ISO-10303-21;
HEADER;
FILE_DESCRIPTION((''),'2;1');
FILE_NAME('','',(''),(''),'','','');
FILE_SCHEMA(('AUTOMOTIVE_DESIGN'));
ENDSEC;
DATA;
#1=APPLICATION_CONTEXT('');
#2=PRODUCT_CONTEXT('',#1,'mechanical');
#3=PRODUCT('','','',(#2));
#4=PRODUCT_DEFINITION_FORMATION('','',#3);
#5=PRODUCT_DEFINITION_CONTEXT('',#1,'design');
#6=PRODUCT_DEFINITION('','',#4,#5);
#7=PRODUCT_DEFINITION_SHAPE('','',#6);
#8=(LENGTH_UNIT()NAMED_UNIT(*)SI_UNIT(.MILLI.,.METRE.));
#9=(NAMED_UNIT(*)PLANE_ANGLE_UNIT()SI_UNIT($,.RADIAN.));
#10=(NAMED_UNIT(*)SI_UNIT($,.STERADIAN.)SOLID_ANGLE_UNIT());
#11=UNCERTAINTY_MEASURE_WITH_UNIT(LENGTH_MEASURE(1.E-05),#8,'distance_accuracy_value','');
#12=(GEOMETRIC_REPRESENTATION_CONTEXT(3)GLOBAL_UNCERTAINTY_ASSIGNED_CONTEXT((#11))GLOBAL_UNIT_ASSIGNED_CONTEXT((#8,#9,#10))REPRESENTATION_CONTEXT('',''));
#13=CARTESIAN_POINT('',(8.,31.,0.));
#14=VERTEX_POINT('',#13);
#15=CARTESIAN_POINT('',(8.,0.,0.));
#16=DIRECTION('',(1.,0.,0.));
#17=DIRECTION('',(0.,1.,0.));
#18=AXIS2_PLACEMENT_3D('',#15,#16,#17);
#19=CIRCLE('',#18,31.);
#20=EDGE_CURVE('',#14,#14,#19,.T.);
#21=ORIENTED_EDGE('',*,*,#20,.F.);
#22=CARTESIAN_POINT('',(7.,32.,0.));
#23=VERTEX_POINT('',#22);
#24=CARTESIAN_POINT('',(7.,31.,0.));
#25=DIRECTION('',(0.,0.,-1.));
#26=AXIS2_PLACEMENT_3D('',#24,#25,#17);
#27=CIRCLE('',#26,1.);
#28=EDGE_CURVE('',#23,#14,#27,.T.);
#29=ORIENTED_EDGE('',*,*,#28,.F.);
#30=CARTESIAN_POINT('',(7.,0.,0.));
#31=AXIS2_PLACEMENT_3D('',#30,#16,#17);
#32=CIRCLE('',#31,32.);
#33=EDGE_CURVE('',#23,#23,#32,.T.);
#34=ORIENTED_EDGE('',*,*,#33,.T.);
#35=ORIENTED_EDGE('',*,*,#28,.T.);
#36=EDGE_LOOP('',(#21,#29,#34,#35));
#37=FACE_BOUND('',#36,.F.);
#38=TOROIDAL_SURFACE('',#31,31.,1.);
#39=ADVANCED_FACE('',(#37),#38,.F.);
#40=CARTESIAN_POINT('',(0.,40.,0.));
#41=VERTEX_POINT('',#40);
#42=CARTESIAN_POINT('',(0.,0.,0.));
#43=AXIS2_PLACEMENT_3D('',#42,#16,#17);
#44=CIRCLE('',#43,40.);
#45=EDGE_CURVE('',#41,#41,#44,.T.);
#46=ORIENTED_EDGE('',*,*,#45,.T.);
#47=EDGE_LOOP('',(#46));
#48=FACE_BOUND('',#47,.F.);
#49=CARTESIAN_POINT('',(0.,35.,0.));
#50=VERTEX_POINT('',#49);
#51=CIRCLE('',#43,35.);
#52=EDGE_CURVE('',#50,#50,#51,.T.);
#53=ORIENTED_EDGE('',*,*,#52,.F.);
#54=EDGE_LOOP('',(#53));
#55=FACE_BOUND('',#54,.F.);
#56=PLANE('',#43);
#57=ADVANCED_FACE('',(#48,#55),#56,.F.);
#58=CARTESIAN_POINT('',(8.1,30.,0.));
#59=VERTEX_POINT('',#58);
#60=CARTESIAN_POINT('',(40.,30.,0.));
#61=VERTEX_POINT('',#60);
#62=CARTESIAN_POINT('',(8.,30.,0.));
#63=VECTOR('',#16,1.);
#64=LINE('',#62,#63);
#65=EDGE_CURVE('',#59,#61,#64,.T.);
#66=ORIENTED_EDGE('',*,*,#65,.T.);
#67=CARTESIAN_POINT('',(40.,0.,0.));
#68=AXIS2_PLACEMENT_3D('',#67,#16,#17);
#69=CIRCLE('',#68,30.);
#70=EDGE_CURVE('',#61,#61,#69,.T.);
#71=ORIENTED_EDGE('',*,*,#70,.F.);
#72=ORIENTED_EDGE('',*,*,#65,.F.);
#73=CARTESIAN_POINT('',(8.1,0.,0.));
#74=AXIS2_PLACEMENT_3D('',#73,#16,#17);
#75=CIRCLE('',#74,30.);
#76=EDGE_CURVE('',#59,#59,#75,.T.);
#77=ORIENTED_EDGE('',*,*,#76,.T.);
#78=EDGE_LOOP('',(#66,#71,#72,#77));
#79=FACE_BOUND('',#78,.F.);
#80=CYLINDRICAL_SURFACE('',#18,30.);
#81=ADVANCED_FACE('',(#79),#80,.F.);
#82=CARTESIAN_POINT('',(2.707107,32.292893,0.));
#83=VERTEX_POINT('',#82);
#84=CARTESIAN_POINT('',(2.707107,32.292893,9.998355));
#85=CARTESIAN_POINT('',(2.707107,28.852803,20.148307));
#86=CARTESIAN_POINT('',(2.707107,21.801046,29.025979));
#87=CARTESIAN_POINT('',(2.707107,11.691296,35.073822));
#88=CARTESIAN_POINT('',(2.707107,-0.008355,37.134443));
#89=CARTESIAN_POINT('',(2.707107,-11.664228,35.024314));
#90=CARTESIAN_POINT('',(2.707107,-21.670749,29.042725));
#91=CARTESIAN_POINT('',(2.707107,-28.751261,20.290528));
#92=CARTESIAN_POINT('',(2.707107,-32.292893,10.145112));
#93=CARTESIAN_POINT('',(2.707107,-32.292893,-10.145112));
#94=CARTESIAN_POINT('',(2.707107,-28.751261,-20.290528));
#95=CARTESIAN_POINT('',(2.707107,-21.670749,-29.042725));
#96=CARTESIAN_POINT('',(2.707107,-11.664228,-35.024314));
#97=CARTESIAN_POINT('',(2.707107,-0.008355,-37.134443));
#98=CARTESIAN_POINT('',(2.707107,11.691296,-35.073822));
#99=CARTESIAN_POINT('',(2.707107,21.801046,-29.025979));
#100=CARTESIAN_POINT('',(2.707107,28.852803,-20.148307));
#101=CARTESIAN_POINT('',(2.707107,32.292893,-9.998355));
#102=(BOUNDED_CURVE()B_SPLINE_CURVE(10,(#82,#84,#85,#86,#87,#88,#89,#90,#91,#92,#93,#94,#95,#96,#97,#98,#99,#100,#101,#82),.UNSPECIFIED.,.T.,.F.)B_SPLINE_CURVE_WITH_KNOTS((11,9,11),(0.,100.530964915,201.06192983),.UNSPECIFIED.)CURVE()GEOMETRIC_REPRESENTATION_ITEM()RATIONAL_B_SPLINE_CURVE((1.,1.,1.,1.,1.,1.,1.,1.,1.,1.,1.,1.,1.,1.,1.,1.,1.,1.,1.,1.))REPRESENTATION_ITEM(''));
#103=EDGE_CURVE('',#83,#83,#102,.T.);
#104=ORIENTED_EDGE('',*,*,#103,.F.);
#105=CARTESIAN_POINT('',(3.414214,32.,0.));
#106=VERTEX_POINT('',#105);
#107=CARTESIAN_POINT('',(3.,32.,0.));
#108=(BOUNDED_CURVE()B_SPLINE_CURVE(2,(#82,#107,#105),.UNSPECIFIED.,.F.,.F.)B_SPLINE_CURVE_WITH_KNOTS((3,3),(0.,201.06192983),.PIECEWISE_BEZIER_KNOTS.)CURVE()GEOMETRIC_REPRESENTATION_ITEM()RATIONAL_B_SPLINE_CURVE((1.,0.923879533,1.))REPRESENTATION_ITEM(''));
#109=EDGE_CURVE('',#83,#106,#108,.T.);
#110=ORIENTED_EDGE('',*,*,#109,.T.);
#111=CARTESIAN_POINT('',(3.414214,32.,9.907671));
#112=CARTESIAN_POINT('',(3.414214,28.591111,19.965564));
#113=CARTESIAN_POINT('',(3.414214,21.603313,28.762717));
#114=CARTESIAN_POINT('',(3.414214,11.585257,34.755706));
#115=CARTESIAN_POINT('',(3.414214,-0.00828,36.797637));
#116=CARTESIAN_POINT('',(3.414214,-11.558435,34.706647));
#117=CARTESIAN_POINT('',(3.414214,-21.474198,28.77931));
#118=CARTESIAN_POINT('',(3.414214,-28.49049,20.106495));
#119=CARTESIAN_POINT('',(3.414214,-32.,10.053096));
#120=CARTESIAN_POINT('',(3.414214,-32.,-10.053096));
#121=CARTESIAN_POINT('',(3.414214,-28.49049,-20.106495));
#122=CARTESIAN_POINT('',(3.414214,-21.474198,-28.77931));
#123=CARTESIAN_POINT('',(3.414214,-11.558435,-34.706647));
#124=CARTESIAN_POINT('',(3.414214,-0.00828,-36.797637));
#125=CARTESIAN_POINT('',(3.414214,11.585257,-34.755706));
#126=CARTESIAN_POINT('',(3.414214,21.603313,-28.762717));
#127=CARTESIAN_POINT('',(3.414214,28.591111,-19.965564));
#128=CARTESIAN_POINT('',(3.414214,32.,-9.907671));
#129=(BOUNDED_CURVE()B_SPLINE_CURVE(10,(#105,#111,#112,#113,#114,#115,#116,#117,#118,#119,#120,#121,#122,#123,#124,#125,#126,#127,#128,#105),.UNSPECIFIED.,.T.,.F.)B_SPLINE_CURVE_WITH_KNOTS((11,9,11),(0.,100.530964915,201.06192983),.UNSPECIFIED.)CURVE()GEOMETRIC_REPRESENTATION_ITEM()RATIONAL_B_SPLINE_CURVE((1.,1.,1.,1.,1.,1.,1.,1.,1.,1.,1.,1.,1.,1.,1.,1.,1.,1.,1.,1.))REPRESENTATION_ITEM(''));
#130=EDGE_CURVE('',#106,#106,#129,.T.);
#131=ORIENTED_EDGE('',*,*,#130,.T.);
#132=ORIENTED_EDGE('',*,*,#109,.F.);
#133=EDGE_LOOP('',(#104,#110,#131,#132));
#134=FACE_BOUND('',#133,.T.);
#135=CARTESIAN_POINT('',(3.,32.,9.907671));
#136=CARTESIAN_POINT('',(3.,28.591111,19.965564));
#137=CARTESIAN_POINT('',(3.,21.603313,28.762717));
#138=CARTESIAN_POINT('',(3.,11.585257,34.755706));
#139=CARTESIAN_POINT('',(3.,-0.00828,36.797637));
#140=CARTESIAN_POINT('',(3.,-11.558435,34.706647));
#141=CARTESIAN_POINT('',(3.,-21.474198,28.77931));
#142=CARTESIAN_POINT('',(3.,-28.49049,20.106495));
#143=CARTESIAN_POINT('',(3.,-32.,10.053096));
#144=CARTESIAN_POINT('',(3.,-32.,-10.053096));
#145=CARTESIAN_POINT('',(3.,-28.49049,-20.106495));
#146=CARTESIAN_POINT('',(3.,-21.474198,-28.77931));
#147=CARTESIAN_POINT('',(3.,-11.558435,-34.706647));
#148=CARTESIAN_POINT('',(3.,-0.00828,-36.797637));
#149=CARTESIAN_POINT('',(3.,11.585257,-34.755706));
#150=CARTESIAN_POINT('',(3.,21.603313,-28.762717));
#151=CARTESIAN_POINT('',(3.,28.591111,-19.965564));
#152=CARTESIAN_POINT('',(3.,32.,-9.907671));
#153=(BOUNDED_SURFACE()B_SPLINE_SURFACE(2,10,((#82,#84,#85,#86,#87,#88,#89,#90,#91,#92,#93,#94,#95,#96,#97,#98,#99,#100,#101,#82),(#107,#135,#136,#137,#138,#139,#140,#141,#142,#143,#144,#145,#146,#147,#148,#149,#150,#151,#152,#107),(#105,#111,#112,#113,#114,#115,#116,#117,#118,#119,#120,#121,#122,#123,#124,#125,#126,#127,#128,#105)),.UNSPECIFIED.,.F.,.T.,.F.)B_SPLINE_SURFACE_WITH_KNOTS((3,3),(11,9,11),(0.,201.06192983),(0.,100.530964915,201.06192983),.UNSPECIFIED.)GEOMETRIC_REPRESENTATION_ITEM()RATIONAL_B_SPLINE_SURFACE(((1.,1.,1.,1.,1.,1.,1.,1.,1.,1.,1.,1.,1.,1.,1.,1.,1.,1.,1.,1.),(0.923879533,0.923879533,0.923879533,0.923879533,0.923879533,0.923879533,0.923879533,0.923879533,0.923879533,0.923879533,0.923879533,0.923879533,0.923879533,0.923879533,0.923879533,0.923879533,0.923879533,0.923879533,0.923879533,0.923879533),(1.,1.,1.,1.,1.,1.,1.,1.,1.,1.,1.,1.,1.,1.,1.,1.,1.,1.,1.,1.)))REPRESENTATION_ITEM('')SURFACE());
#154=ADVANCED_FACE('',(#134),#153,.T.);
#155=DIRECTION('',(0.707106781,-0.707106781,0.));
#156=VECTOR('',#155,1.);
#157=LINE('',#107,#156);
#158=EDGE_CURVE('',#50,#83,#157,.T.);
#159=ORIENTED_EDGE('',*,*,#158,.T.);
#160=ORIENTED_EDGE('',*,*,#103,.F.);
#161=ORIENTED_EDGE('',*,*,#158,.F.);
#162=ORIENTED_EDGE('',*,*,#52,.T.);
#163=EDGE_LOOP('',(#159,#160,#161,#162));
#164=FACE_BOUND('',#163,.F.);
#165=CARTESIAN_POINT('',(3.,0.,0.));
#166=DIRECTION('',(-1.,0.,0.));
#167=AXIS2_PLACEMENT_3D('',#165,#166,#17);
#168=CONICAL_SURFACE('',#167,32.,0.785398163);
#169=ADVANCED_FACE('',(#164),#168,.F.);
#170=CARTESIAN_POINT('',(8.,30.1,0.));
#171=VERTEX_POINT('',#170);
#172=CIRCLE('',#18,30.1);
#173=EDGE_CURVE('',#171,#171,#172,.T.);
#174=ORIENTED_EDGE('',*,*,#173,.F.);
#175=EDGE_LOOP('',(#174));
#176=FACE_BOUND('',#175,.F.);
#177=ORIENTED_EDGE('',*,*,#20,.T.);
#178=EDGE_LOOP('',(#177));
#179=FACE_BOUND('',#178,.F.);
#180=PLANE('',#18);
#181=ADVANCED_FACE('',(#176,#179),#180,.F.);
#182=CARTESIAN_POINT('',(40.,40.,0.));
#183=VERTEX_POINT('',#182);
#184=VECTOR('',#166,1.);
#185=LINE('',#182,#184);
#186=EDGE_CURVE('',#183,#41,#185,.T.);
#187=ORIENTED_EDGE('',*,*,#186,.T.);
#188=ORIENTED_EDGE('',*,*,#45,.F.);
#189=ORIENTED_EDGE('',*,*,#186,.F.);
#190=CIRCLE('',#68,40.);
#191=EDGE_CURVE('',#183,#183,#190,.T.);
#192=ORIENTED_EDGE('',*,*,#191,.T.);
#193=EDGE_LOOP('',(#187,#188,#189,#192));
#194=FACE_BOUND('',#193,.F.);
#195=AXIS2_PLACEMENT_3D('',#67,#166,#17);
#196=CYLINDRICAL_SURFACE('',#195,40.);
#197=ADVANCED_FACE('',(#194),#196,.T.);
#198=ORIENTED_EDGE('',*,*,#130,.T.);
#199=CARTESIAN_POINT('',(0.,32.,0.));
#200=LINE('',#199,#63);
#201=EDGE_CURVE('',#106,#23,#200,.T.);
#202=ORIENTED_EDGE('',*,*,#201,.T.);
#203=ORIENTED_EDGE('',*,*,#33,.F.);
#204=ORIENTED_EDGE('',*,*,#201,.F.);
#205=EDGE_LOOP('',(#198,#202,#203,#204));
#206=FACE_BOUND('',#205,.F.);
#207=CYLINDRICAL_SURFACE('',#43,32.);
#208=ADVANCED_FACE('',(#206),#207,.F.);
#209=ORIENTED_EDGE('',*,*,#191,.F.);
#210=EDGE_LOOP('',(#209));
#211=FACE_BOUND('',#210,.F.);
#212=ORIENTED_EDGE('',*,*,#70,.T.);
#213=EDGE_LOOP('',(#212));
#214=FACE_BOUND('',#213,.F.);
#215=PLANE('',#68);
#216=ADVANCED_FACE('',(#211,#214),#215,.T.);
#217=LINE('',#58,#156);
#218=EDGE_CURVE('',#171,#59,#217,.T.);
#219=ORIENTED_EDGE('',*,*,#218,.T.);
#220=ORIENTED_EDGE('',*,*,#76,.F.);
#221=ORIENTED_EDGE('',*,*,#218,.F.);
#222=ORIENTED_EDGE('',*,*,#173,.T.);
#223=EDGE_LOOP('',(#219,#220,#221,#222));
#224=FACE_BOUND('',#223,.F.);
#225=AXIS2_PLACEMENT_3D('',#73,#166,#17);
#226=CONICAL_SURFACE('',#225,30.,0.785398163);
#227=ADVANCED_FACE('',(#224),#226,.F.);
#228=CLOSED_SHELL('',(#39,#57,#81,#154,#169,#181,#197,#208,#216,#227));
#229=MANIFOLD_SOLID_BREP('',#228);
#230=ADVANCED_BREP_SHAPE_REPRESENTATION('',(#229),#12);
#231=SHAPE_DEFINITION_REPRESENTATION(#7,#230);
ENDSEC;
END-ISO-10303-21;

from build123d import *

# Parameters (mm, degrees)
F2_SIZE = 3
F3_R    = 1
F4_SIZE = 0.1


with BuildPart() as f1:
    # F0 (on Top) → F1 (revolve)
    with BuildSketch(Plane.XY):
        Polygon((40, 40), (0, 40), (0, 32), (8, 32), (8, 30), (40, 30), align=None)
    revolve(axis=Axis((-2.474785153, 0, 0), (1, 0, 0)))

    # F2
    f2_edges = [f1.edges().sort_by_distance(p)[0] for p in [
        (0, -32, 0),
    ]]
    chamfer(f2_edges, length=F2_SIZE)

    # F3
    f3_edges = [f1.edges().sort_by_distance(p)[0] for p in [
        (8, -32, 0),
        (3, -32, 0),
    ]]
    fillet(f3_edges, radius=F3_R)

    # F4
    f4_edges = [f1.edges().sort_by_distance(p)[0] for p in [
        (8, -30, 0),
    ]]
    chamfer(f4_edges, length=F4_SIZE)


solid = f1.part
